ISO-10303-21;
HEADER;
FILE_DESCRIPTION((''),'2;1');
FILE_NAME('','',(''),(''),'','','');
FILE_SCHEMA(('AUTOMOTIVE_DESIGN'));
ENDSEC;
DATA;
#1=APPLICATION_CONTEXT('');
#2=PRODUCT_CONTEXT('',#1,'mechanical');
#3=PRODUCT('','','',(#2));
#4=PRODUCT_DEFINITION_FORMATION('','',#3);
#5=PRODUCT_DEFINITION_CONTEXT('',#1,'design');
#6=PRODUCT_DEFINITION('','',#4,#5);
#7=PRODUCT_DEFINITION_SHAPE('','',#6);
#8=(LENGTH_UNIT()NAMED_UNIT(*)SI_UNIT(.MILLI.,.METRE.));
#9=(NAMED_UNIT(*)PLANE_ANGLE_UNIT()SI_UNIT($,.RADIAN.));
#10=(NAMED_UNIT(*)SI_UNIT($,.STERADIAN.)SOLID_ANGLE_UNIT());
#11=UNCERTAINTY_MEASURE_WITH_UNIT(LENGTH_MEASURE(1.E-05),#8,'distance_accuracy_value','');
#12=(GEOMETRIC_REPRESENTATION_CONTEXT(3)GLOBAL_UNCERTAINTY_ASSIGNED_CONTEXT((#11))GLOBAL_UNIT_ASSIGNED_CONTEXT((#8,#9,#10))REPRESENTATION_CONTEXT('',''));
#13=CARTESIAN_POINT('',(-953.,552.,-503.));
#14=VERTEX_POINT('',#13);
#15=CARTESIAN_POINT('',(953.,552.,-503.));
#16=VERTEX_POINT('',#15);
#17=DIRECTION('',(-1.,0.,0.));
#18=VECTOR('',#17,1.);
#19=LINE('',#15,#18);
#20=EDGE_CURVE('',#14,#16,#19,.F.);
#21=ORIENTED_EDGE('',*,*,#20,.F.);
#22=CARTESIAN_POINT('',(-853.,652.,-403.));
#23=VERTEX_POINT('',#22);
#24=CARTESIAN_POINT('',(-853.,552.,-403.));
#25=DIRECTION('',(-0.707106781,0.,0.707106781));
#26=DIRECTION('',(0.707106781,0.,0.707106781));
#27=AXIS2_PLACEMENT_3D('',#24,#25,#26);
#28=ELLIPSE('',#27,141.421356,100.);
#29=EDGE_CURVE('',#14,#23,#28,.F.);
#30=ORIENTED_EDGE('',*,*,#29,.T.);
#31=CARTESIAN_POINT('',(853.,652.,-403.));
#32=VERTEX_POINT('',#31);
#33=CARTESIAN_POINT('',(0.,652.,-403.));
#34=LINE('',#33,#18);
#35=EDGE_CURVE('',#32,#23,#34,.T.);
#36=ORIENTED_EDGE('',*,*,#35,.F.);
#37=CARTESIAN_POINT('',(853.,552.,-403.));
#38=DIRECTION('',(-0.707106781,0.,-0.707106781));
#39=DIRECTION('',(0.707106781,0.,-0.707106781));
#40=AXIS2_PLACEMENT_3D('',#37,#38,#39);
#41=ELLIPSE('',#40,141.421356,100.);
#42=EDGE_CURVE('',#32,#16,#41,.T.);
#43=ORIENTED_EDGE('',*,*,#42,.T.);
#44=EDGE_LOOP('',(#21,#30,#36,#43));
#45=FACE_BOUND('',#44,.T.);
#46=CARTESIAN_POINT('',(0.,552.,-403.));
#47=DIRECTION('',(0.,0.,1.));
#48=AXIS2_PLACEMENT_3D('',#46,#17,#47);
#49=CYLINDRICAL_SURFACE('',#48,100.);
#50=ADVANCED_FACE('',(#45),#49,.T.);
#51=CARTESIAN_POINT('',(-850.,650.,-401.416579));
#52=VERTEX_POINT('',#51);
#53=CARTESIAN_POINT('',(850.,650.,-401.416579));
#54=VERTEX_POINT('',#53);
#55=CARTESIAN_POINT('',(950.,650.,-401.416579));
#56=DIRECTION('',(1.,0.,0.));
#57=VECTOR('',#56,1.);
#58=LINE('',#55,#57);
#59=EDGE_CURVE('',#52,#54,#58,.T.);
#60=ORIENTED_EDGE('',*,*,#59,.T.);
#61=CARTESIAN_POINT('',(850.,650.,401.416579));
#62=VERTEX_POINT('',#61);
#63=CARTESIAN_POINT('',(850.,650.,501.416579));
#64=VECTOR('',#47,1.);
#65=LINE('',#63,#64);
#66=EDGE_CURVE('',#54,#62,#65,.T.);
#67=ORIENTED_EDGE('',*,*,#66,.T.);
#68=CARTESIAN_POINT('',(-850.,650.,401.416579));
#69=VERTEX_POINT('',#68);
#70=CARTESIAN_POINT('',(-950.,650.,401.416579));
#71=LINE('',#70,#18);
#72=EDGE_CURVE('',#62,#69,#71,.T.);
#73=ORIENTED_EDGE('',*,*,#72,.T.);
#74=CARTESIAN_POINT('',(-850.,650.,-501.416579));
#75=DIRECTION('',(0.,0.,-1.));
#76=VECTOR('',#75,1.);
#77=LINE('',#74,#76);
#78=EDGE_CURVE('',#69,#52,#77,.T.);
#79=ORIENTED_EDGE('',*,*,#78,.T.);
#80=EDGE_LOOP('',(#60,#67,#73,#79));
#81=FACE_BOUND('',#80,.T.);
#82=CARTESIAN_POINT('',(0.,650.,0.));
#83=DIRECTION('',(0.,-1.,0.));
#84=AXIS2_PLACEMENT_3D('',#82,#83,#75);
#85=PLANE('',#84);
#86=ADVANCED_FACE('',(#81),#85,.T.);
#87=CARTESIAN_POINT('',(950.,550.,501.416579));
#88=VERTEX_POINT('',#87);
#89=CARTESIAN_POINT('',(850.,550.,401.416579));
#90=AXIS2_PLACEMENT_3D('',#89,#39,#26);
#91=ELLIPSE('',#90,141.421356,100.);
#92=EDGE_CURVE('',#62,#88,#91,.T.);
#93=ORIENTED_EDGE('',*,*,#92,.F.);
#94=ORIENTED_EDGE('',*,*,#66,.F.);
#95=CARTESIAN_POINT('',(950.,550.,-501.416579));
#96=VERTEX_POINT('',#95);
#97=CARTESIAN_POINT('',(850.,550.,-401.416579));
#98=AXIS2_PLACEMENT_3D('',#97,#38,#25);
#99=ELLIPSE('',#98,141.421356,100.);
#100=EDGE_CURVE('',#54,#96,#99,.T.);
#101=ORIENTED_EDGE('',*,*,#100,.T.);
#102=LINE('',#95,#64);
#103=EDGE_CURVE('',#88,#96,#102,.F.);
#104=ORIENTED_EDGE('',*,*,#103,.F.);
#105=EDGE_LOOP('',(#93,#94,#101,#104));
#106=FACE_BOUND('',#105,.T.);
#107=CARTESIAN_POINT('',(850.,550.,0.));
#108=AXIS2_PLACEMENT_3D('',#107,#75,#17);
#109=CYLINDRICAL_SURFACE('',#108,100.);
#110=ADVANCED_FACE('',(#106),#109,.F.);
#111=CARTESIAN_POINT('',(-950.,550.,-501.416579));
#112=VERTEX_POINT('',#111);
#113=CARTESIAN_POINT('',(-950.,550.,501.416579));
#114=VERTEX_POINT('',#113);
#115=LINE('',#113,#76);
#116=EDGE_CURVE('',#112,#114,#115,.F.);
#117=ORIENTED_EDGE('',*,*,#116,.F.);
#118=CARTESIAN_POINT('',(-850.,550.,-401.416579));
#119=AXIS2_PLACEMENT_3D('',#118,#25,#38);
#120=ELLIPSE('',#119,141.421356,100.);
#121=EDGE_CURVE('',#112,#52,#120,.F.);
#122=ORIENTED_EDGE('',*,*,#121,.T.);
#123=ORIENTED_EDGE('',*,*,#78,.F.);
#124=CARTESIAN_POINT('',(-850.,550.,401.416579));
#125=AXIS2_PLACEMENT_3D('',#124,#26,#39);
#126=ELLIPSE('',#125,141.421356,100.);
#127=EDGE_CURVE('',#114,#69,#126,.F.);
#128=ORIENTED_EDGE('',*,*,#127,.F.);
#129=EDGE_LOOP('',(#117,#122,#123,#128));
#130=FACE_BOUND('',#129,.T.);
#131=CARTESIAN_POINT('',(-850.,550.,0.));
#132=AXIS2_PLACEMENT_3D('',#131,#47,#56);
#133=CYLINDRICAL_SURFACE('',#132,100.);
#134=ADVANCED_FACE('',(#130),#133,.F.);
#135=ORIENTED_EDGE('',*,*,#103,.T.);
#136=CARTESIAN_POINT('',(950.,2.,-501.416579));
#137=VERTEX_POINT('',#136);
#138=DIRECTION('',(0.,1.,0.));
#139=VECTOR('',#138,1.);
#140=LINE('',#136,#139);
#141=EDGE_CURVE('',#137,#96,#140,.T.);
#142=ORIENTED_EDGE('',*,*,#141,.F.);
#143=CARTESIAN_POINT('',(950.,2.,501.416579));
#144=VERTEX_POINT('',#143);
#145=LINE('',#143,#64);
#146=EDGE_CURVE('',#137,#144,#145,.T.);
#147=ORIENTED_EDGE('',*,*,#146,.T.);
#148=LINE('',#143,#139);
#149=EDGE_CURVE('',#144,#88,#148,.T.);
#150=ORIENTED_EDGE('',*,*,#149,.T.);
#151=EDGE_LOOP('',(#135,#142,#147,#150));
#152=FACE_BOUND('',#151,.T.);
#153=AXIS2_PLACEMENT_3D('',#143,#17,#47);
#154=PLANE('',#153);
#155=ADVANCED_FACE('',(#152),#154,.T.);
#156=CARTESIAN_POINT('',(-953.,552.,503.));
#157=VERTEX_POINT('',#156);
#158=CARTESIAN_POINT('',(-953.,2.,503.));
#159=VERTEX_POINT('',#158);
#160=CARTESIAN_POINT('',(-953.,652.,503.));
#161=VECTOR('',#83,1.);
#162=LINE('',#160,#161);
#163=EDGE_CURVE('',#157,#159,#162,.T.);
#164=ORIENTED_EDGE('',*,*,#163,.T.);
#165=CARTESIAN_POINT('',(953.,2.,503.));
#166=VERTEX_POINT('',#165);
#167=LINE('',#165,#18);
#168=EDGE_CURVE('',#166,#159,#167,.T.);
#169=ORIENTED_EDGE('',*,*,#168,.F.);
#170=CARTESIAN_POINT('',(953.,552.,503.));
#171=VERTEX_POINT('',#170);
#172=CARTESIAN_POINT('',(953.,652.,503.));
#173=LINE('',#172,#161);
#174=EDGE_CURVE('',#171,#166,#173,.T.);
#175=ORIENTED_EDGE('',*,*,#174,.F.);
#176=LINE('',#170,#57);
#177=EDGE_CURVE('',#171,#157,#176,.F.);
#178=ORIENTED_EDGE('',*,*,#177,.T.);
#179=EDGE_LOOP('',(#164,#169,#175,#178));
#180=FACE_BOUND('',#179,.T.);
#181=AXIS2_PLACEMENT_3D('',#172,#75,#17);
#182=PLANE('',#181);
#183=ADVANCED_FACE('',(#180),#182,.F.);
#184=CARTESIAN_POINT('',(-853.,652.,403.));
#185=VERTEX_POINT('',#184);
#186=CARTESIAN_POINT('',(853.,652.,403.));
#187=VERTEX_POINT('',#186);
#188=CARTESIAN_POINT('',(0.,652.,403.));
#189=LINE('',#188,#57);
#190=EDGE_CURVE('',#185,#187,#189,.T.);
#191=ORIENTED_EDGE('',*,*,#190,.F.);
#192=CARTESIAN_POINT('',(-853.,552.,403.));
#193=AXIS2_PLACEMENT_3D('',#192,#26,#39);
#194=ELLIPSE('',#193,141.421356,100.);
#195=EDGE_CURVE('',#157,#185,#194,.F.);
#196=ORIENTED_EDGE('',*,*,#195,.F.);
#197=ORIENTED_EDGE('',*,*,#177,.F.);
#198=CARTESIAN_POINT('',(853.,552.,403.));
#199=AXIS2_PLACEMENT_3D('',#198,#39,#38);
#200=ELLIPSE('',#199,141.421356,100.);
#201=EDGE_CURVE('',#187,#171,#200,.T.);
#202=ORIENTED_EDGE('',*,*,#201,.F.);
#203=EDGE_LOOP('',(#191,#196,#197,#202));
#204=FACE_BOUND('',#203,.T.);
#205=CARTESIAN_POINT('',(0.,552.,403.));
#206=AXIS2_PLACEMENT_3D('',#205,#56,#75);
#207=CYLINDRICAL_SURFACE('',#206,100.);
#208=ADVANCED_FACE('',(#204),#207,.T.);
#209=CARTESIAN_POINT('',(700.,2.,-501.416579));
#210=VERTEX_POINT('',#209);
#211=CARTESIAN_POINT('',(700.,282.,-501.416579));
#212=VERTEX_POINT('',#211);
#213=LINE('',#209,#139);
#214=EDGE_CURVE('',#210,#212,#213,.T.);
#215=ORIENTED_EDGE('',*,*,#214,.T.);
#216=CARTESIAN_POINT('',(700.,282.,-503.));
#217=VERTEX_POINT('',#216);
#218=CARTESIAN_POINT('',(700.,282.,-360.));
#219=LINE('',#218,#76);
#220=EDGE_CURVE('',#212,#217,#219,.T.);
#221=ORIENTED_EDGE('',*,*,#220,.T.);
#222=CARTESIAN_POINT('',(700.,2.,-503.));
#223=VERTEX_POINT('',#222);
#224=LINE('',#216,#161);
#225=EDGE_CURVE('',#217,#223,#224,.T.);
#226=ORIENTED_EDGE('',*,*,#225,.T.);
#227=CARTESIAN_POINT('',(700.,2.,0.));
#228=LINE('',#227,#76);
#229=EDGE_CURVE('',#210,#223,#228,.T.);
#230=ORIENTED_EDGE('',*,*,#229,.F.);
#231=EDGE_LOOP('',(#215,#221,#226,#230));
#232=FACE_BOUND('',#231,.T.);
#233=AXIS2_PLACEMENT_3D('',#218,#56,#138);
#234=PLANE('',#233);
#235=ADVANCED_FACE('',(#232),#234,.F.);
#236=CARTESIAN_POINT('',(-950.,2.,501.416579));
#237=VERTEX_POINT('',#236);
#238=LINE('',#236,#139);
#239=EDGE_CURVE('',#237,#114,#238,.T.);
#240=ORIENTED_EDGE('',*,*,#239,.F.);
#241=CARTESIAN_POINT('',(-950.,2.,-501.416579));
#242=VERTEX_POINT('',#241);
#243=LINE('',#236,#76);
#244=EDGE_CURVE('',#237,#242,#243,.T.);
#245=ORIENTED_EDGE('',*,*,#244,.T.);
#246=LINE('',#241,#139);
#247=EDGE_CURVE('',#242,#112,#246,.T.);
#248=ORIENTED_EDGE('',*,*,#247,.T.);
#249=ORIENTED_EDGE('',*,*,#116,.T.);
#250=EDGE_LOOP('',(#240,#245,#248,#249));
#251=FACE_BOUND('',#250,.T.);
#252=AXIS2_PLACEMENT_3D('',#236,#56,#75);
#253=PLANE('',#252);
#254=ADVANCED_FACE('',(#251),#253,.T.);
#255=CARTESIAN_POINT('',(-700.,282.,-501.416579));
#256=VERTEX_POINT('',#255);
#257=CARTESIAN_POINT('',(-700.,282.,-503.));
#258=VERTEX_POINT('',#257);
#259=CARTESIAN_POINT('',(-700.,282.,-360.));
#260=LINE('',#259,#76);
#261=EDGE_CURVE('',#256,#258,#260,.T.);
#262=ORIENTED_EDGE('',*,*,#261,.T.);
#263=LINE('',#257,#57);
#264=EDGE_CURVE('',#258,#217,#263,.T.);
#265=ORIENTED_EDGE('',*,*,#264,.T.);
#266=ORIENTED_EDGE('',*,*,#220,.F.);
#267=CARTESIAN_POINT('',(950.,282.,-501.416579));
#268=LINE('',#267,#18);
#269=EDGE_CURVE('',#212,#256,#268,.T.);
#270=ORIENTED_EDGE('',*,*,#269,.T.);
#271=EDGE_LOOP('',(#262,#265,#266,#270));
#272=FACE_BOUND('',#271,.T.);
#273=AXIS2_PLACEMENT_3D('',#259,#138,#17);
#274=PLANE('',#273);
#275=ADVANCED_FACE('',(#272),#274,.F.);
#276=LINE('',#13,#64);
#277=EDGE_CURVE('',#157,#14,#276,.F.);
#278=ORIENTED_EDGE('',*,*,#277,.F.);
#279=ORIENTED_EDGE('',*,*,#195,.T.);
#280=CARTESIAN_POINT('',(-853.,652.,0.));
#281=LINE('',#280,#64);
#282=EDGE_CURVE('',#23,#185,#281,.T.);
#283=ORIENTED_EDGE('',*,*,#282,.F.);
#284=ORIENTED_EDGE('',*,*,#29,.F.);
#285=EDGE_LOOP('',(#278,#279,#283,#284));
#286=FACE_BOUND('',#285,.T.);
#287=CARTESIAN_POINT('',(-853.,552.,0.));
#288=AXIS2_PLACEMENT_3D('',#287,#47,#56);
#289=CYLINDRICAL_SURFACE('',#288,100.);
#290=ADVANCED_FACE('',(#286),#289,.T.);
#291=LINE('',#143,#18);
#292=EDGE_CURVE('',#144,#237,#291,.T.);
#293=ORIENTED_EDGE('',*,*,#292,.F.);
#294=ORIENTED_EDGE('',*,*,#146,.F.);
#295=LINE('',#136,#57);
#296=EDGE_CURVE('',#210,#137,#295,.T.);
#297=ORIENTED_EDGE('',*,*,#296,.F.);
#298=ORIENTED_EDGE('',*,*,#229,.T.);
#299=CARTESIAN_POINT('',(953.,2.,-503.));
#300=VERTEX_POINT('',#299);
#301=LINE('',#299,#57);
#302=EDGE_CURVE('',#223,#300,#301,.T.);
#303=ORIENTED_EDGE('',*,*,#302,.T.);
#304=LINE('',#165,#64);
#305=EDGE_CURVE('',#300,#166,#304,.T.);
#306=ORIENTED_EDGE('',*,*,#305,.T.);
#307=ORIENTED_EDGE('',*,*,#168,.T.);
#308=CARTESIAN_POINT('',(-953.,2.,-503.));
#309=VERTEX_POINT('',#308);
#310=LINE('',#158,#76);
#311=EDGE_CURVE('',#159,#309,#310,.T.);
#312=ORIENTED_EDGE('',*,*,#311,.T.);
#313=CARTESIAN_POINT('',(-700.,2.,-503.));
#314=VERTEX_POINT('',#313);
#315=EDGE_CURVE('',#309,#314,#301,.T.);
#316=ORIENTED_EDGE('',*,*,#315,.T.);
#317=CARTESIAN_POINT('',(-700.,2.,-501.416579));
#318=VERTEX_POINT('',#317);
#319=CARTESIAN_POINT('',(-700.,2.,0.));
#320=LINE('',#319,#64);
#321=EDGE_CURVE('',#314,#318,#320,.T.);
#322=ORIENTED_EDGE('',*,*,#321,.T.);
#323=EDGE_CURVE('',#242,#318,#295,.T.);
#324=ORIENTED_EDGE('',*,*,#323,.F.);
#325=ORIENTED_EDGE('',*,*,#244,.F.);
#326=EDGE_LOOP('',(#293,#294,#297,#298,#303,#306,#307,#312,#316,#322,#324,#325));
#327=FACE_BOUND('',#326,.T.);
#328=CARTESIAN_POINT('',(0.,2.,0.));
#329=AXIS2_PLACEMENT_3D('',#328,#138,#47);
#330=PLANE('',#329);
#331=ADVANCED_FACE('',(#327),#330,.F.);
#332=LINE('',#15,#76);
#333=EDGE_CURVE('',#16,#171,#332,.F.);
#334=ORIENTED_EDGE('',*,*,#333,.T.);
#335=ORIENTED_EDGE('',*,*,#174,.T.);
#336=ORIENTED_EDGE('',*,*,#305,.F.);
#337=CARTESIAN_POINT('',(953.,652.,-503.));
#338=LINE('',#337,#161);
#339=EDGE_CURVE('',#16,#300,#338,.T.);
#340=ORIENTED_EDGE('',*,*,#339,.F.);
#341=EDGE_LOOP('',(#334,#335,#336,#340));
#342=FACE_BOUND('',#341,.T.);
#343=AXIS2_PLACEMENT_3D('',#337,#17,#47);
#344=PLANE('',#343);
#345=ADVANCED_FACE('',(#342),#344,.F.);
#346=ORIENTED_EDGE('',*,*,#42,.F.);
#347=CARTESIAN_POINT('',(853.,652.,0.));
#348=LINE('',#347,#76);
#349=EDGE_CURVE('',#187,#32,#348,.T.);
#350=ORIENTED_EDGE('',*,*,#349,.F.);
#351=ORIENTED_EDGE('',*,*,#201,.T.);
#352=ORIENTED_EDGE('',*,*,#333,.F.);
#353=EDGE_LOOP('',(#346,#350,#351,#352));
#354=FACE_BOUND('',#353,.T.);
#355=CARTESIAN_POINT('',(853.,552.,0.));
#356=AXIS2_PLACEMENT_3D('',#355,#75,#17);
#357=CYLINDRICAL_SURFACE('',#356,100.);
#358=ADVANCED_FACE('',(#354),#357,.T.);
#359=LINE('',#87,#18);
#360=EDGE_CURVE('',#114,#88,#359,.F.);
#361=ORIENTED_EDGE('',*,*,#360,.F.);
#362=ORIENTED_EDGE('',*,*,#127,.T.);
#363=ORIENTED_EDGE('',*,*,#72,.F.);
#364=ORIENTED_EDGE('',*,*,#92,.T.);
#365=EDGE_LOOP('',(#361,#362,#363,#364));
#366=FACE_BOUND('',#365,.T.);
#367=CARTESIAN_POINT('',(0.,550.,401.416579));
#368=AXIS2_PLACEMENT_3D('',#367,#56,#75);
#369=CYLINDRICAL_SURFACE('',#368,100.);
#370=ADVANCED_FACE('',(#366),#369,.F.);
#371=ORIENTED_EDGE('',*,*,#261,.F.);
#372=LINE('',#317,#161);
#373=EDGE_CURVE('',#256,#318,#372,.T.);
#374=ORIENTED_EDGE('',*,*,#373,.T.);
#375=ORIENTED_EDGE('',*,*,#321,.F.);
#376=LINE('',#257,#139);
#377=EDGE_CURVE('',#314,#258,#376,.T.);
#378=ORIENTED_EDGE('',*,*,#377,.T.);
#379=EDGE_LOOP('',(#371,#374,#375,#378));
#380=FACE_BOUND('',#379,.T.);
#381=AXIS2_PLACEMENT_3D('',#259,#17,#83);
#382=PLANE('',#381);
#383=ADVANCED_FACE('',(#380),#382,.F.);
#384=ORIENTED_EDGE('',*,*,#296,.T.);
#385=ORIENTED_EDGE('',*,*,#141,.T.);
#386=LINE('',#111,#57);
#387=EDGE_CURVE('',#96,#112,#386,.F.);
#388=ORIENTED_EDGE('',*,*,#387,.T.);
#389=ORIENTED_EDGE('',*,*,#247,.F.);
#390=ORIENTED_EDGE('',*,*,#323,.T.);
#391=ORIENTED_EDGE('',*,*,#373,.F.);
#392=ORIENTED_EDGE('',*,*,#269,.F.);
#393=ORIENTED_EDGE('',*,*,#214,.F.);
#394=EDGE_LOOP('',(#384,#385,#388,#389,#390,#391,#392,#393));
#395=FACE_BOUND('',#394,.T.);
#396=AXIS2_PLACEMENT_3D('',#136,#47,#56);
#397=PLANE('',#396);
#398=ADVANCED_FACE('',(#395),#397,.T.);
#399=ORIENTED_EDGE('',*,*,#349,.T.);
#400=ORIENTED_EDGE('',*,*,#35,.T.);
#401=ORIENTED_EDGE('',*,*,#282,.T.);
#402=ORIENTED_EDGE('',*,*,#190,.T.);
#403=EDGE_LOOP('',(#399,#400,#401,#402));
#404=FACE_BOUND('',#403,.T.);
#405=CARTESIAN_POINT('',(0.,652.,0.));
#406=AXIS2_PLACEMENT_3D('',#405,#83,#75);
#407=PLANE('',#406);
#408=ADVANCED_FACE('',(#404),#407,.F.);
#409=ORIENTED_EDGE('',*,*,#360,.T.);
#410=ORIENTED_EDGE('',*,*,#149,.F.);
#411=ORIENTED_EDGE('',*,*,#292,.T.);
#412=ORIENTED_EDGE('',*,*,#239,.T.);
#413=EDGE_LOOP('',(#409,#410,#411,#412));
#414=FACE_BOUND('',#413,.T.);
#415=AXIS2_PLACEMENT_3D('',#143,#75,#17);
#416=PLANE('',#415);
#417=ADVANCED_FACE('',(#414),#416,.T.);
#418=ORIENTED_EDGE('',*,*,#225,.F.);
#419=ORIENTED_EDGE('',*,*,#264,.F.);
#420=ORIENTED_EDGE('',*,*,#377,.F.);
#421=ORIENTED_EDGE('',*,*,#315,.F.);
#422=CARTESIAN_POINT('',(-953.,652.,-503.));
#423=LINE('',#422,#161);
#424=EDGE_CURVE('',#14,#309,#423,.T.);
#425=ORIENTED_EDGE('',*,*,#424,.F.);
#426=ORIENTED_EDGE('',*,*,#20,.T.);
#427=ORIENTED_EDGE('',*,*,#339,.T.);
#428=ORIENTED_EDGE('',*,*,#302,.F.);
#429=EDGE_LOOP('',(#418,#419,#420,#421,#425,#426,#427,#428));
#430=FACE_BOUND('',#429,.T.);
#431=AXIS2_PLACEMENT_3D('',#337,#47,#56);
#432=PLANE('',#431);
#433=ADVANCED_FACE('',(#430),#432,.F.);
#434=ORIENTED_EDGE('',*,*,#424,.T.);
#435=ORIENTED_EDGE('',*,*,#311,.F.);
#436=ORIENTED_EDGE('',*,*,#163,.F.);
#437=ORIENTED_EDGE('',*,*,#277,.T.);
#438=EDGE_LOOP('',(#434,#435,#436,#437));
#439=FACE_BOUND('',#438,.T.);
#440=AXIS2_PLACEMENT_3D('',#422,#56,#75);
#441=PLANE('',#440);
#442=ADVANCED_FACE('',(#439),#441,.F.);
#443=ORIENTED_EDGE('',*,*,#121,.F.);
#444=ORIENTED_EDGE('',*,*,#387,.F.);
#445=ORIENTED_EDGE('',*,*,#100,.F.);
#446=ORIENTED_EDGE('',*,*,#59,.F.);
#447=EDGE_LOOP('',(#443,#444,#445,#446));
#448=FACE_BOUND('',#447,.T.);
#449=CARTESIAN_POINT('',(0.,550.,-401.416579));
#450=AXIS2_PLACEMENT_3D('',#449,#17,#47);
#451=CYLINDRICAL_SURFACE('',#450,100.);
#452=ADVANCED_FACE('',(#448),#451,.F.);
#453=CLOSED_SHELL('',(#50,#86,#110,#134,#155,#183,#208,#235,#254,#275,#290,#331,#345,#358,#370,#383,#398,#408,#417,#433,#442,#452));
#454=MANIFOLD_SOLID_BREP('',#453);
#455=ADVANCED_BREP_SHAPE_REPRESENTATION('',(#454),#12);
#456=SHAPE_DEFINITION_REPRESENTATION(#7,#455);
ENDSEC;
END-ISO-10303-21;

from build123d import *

# Parameters (mm, degrees)
BOSS_EXTRUDE1_START = 650
SKETCH1_W           = 1906
SKETCH1_H           = 1006
BOSS_EXTRUDE1_DEPTH = 2
SKETCH2_W           = 1906
SKETCH2_H           = 1006
SKETCH2_W_2         = 1900
SKETCH2_H_2         = 1002.833158448
BOSS_EXTRUDE2_DEPTH = 648
FILLET1_R           = 100
SKETCH3_W           = 1400
SKETCH3_H           = 560
CUT_EXTRUDE1_DEPTH  = 143


with BuildPart() as part:
    # Sketch1 → Boss-Extrude1 (new body)
    with BuildSketch(Plane(origin=(0, 0, 0), x_dir=(1, 0, 0), z_dir=(0, 1, 0)).offset(BOSS_EXTRUDE1_START)):
        Rectangle(SKETCH1_W, SKETCH1_H)
    extrude(amount=BOSS_EXTRUDE1_DEPTH)

    # Sketch2 → Boss-Extrude2 (add)
    with BuildSketch(Plane.XZ.offset(-650)):
        Rectangle(SKETCH2_W, SKETCH2_H)
        Rectangle(SKETCH2_W_2, SKETCH2_H_2, mode=Mode.SUBTRACT)
    extrude(amount=BOSS_EXTRUDE2_DEPTH)

    # Fillet1
    fillet1_edges = [part.edges().sort_by_distance(p)[0] for p in [
        (953, 652, 0),
        (0, 652, -503),
        (0, 650, 501.416579224),
        (-950, 650, 0),
        (0, 650, -501.416579224),
        (950, 650, 0),
        (-953, 652, 0),
        (0, 652, 503),
    ]]
    fillet(fillet1_edges, radius=FILLET1_R)

    # Sketch3 → Cut-Extrude1 (cut)
    with BuildSketch(Plane(origin=(0, 0, -503), x_dir=(-1, 0, 0), z_dir=(0, 0, -1))):
        with Locations((0, 2)):
            Rectangle(SKETCH3_W, SKETCH3_H)
    extrude(amount=-CUT_EXTRUDE1_DEPTH, mode=Mode.SUBTRACT)


solid = part.part
